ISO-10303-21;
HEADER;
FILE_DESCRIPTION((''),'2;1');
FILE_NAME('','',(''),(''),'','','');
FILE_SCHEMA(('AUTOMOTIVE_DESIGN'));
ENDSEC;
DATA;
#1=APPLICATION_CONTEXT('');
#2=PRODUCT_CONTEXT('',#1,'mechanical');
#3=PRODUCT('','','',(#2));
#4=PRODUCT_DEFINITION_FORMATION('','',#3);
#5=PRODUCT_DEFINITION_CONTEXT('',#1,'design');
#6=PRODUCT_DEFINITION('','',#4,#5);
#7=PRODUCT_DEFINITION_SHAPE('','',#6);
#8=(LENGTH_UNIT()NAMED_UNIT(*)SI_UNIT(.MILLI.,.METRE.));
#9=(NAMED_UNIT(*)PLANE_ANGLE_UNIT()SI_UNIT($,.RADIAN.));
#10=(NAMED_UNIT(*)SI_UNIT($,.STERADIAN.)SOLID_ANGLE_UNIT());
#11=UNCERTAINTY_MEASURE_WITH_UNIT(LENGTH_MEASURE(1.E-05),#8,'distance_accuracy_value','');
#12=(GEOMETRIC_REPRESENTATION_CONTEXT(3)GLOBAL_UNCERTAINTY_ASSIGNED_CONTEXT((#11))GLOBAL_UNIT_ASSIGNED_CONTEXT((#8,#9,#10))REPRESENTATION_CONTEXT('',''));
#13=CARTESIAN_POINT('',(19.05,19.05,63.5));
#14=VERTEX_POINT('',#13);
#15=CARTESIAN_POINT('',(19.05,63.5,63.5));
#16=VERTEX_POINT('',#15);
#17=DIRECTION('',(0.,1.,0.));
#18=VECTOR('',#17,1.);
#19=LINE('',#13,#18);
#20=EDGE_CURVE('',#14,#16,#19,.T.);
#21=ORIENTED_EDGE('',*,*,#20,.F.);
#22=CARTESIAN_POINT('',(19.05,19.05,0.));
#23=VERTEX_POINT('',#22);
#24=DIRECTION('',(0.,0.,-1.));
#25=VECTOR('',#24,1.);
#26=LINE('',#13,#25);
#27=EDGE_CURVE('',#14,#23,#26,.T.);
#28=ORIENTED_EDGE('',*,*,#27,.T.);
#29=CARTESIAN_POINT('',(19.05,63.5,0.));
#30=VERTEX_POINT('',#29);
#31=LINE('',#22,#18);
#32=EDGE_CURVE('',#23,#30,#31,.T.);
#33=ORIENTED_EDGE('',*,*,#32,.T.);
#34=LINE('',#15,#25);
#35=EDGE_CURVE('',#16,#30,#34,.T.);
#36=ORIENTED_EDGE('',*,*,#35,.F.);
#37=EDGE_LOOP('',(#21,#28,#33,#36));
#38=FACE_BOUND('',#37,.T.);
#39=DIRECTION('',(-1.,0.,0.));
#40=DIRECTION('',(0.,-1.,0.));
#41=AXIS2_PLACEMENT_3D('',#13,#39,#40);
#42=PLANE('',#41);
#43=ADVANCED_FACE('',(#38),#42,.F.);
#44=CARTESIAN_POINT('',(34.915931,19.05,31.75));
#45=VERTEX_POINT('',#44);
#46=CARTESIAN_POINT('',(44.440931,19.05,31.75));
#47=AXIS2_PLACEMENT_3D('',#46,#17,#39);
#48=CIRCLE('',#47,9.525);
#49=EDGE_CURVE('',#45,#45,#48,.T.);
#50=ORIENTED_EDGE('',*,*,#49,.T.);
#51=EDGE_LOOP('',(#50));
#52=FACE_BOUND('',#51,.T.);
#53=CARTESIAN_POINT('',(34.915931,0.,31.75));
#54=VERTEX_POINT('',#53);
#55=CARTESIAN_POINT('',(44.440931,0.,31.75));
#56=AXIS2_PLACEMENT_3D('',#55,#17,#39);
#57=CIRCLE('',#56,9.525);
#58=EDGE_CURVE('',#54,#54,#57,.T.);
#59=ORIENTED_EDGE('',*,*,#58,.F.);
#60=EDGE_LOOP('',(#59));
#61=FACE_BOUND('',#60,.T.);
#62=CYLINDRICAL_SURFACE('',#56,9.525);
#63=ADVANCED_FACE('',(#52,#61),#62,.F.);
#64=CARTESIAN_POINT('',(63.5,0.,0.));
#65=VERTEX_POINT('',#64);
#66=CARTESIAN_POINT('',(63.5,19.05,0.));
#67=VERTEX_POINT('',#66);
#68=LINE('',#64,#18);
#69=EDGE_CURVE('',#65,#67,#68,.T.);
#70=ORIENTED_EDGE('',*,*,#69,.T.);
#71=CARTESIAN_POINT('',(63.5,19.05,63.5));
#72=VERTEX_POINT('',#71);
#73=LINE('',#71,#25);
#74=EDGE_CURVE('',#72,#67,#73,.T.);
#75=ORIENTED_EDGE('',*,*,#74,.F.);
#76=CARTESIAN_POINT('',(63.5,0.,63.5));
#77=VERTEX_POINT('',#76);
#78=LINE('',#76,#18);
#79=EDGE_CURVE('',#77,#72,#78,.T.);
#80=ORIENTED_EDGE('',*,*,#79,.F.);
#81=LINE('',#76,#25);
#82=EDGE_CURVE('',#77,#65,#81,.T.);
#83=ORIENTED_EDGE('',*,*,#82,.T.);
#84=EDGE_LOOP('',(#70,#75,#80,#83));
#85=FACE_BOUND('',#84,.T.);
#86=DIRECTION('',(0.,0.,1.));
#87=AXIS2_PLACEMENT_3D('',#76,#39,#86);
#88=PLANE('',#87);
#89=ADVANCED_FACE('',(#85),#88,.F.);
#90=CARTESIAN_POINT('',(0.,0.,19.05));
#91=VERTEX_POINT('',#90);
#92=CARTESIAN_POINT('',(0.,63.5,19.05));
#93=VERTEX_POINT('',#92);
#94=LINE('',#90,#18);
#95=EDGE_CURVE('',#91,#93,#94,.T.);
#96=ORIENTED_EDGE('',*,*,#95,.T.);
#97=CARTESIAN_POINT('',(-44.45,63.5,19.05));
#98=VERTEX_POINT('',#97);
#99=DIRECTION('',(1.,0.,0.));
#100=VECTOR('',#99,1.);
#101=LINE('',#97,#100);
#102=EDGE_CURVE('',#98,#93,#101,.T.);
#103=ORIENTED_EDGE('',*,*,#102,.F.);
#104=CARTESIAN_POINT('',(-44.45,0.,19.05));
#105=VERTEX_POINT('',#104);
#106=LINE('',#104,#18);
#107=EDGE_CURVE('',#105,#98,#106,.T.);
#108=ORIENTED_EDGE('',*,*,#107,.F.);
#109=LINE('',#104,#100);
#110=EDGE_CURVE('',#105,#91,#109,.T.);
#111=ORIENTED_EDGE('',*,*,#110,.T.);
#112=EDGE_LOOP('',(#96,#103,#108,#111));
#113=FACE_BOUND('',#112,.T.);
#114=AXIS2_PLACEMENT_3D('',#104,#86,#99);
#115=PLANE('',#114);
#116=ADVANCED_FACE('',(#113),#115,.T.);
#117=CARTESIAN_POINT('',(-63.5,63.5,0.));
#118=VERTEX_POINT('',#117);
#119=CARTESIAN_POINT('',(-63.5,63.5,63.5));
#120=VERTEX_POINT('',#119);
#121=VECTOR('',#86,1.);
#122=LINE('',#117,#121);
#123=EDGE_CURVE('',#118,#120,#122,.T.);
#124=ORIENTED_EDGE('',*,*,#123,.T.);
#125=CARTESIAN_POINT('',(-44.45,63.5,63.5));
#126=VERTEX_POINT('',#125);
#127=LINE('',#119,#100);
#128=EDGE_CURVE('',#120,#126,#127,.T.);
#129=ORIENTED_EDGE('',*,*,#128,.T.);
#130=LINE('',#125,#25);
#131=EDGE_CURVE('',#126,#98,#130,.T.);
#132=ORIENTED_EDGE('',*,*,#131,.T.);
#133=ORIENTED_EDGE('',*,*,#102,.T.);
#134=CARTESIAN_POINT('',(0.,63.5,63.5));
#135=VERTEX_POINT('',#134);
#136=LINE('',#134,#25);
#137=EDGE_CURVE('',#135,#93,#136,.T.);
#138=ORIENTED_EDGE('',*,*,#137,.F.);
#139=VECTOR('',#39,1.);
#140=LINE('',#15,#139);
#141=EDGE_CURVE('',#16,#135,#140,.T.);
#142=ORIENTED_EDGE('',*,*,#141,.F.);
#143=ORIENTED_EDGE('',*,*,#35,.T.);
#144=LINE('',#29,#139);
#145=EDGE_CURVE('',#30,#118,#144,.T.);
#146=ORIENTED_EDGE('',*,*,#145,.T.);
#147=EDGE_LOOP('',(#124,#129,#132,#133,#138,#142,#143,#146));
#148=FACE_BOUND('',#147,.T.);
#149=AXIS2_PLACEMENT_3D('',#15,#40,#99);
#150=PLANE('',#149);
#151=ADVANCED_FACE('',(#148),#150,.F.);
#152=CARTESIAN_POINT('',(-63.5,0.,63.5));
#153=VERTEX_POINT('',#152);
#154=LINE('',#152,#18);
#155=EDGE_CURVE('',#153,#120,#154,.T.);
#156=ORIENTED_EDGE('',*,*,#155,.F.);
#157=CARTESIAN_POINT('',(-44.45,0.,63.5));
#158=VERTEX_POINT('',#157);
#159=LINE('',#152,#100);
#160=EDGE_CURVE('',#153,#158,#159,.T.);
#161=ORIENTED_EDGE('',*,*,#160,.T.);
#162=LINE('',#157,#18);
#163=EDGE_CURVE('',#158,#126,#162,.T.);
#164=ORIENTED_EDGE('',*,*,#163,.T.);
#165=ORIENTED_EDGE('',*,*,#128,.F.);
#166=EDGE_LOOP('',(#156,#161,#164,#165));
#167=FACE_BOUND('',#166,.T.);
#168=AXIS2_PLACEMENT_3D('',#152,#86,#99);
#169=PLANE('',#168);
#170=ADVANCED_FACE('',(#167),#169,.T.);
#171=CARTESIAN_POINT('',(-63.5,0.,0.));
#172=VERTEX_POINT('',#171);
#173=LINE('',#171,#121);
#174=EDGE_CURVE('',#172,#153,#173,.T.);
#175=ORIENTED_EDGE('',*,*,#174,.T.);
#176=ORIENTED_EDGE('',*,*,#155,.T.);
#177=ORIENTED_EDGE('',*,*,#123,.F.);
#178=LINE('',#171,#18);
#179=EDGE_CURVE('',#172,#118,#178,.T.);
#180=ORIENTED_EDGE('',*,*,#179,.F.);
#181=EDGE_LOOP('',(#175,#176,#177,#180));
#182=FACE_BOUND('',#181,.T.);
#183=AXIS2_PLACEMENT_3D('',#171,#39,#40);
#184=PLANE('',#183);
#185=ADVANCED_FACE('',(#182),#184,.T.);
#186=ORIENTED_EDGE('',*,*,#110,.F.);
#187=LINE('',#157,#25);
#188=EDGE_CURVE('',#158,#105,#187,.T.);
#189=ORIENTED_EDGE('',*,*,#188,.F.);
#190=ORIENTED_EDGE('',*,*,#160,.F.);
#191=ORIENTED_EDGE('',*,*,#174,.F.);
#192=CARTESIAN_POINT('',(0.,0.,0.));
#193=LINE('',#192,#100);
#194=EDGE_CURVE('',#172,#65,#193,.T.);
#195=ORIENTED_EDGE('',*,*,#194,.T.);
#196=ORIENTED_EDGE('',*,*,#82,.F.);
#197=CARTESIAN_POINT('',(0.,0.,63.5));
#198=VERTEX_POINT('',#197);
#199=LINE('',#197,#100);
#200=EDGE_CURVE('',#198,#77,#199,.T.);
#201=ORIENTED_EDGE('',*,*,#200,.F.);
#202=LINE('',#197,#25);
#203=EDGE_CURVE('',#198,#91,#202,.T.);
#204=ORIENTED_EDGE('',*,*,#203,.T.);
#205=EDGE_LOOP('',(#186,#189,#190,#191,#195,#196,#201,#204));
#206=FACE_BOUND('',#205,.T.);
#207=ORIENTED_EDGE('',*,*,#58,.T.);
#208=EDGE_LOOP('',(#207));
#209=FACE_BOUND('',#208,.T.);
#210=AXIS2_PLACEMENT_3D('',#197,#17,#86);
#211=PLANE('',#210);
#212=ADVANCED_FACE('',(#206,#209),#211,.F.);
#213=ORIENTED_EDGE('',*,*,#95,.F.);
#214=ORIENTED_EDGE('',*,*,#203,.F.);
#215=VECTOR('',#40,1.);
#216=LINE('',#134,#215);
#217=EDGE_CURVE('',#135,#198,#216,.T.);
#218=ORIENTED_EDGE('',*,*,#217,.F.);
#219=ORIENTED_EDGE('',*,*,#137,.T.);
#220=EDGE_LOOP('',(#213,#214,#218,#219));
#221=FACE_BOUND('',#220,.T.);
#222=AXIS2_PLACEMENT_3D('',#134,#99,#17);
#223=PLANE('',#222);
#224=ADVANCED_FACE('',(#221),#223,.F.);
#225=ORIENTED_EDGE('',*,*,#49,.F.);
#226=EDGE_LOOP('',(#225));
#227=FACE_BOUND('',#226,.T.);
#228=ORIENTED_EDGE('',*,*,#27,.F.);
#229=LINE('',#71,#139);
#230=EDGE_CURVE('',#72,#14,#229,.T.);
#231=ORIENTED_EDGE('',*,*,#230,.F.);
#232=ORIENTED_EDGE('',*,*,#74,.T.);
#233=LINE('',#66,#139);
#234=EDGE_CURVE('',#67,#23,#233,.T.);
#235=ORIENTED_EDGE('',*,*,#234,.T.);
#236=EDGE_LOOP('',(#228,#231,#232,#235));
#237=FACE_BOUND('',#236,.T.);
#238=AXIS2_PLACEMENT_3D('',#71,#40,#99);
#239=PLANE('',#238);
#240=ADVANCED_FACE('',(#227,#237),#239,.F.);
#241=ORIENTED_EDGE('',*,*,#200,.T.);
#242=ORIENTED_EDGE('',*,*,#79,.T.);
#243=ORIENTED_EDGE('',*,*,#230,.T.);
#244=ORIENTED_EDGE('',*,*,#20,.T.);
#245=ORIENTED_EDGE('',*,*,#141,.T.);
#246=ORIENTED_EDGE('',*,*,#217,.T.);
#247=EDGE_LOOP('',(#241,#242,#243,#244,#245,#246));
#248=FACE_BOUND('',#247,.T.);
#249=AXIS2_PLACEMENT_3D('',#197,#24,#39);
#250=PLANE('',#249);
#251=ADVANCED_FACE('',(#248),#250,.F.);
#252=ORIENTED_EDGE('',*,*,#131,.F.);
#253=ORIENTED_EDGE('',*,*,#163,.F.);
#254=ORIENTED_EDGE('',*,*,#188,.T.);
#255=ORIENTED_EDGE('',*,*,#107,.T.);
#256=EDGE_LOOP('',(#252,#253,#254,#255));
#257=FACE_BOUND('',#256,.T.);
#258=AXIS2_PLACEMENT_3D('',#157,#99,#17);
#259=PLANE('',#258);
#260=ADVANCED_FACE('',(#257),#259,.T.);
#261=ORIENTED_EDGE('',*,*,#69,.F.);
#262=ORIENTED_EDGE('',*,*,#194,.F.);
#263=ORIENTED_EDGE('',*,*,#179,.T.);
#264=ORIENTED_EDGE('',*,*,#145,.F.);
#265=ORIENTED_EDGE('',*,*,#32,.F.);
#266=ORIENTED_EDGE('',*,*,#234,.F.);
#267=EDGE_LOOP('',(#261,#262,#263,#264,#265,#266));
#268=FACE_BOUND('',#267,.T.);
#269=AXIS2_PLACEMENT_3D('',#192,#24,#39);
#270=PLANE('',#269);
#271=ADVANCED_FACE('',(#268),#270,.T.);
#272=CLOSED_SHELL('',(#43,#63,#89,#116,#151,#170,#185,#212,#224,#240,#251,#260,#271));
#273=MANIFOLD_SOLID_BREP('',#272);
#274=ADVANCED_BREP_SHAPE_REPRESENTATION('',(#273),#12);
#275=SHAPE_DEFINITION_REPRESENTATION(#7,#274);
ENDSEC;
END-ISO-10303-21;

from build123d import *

# Parameters (mm, degrees)
BOSS_EXTRUDE1_DEPTH = 63.5
BOSS_EXTRUDE2_DEPTH = 63.5
SKETCH7_R           = 9.525
CUT_EXTRUDE1_DEPTH  = 20.05


with BuildPart() as part:
    # Sketch1 → Boss-Extrude1 (new body)
    with BuildSketch(Plane.XY):
        Polygon((0, 0), (63.5, 0), (63.5, 19.05), (19.05, 19.05), (19.05, 63.5), (0, 63.5), align=None)
    extrude(amount=BOSS_EXTRUDE1_DEPTH)

    # Sketch2 → Boss-Extrude2 (add)
    with BuildSketch(Plane(origin=(0, 63.5, 0), x_dir=(1, 0, 0), z_dir=(0, 1, 0))):
        Polygon((0, 0), (-63.5, 0), (-63.5, -63.5), (-44.45, -63.5), (-44.45, -19.05), (0, -19.05), align=None)
    extrude(amount=-BOSS_EXTRUDE2_DEPTH)

    # Sketch7 → Cut-Extrude1 (cut, through all)
    with BuildSketch(Plane(origin=(0, 19.05, 0), x_dir=(1, 0, 0), z_dir=(0, 1, 0))):
        with Locations(Location((44.440930772, -31.75, 0), (0, 0, 180))):  # turned: the seam where the file's is
            Circle(SKETCH7_R)
    extrude(amount=-CUT_EXTRUDE1_DEPTH, mode=Mode.SUBTRACT)


solid = part.part
